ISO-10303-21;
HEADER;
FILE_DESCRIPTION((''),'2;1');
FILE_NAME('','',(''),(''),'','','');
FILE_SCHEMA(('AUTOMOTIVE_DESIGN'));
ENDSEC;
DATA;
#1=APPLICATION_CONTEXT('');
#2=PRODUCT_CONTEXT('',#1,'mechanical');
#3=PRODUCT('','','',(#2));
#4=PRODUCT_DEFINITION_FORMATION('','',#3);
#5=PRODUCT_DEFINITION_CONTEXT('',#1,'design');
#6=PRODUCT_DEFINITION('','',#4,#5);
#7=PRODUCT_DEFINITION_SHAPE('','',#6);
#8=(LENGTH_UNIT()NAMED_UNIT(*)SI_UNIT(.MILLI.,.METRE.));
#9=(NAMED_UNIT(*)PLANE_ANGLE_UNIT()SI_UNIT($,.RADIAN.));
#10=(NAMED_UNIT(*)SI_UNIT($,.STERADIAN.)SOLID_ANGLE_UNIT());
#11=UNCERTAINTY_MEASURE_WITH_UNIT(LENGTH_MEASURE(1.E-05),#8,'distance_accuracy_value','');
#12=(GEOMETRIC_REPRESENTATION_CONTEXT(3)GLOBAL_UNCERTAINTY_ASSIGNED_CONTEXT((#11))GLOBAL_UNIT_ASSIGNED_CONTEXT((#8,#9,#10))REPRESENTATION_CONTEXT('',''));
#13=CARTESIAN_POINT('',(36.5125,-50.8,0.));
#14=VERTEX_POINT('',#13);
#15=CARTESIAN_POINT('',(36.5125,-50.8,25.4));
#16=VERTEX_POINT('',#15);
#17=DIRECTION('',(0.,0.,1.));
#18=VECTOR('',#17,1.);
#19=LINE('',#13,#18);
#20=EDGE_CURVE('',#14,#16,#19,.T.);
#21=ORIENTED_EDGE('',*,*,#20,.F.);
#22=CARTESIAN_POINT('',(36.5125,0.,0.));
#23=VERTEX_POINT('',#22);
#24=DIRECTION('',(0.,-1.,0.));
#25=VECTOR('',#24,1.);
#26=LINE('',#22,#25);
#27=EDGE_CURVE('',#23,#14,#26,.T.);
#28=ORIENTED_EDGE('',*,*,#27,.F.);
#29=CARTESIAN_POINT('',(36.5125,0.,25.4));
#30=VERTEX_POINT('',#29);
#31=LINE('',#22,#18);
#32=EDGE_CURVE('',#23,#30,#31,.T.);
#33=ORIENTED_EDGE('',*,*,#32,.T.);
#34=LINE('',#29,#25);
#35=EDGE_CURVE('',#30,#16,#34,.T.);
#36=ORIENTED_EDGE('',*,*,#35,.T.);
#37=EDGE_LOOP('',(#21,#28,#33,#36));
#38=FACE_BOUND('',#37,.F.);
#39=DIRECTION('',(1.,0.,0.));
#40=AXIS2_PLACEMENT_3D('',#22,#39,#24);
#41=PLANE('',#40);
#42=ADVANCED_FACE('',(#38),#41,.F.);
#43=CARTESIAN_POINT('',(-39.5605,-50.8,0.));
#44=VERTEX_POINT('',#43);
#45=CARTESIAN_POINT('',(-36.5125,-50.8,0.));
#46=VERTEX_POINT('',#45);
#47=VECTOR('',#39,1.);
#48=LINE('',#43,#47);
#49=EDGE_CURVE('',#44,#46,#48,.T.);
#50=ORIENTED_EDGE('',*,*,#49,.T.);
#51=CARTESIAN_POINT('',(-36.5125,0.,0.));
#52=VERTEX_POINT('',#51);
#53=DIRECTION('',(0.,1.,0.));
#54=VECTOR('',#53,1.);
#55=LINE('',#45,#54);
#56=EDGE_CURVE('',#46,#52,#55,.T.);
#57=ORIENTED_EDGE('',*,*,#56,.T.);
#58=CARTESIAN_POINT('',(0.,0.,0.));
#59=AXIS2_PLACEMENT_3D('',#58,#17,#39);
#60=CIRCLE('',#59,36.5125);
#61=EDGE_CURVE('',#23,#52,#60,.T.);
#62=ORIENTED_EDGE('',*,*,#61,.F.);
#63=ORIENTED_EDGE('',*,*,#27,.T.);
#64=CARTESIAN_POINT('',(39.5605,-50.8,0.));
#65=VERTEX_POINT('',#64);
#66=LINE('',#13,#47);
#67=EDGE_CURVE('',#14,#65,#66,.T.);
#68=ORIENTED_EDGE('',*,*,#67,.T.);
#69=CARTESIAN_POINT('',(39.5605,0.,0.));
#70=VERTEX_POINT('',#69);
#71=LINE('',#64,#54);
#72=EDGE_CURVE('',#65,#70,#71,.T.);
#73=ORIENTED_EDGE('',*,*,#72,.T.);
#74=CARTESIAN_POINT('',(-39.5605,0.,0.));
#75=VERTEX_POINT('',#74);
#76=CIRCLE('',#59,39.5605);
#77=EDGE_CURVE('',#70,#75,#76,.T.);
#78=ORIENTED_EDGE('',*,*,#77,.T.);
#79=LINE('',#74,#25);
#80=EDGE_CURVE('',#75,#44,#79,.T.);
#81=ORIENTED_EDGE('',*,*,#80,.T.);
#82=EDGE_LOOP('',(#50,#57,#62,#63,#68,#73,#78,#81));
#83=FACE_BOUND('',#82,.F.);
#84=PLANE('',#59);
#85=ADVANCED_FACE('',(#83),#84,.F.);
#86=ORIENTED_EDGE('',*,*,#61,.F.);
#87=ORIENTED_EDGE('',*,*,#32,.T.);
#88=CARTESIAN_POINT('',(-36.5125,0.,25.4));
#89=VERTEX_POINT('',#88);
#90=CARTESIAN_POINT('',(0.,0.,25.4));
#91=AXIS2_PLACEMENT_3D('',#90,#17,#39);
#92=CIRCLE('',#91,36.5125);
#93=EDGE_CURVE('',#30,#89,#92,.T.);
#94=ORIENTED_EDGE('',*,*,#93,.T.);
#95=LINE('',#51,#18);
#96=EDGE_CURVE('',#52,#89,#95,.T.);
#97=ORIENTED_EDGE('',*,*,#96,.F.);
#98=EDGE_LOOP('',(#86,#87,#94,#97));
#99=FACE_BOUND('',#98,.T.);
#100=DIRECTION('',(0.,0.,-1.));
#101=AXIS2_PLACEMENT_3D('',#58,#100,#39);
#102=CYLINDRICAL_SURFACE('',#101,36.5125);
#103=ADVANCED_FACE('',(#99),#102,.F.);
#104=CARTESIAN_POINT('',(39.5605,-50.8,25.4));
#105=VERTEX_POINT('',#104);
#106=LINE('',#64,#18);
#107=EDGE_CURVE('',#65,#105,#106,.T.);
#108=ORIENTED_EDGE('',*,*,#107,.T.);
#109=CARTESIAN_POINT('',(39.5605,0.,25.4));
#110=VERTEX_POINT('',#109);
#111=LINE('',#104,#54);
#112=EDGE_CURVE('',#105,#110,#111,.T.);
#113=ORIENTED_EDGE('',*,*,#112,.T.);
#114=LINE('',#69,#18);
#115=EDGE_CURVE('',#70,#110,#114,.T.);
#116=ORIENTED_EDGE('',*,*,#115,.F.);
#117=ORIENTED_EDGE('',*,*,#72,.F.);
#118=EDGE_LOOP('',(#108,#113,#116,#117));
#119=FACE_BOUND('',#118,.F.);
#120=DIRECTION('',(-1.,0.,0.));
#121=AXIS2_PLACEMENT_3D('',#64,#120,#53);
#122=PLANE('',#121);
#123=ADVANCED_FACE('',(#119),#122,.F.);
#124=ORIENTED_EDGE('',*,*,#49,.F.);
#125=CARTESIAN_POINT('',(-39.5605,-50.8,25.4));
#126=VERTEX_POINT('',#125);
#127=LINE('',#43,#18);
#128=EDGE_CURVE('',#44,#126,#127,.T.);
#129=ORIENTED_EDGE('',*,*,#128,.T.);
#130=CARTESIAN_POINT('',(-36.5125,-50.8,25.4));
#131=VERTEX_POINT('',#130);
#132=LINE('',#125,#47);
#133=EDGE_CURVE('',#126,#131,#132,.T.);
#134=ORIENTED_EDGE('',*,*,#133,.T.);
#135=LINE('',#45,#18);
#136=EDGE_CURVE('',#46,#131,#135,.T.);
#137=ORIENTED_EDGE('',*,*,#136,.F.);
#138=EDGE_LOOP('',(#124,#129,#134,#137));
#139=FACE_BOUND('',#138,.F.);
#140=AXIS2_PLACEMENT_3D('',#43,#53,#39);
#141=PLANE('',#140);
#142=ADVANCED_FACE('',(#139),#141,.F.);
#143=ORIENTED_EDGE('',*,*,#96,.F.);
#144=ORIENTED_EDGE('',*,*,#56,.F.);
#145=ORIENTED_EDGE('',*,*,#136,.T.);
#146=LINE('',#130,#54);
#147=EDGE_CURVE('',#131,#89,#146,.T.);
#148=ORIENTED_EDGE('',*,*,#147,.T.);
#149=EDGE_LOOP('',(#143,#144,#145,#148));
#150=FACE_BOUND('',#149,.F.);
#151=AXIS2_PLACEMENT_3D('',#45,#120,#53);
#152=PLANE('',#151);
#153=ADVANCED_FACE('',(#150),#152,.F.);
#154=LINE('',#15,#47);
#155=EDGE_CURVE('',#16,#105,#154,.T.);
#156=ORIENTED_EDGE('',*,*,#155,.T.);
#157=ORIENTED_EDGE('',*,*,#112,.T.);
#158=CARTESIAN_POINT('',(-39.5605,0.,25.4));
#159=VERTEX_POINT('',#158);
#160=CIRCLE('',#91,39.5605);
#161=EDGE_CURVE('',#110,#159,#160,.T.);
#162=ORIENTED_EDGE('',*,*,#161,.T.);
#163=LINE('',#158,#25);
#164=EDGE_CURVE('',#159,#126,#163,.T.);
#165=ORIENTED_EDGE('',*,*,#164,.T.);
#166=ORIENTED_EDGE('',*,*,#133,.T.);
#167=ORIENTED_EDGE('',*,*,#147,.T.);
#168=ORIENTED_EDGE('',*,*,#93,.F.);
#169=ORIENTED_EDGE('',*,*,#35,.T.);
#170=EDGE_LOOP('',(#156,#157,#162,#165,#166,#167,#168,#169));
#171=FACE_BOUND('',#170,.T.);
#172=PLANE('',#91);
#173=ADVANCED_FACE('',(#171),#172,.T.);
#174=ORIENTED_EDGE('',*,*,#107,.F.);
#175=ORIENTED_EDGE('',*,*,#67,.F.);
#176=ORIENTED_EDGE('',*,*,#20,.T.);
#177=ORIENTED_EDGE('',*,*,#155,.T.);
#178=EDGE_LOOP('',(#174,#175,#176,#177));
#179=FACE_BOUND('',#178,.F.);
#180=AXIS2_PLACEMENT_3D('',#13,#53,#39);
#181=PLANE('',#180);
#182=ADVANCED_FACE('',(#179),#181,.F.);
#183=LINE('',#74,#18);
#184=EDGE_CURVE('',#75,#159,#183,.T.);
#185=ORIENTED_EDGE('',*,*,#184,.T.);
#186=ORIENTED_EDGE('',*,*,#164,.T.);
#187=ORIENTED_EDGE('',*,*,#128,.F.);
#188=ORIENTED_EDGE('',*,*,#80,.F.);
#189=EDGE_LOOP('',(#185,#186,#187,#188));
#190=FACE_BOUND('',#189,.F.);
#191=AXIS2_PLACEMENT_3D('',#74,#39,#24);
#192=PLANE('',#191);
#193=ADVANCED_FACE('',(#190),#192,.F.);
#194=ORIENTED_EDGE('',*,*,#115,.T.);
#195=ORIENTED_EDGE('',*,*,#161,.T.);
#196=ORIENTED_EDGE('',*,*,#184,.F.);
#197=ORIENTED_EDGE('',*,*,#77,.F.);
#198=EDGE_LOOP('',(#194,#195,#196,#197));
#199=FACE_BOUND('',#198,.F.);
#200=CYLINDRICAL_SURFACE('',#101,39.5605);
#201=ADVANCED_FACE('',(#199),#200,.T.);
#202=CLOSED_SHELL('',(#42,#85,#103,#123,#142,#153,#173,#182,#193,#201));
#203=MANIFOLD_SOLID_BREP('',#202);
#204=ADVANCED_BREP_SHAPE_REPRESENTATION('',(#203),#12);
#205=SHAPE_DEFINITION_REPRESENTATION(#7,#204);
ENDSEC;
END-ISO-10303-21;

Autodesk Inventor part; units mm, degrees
ref_plane "YZ Plane" through (0, 0, 0) normal (1, 0, 0) x (0, 1, 0)
ref_plane "XZ Plane" through (0, 0, 0) normal (0, 1, 0) x (-1, 0, 0)
ref_plane "XY Plane" through (0, 0, 0) normal (0, 0, 1) x (1, 0, 0)
sketch "Sketch1" plane through (0, 0, 0) normal (0, 0, 1) x (1, 0, 0)
  arc A0 (36.5125, 0) -> (-36.5125, 0) centre (0, 0) ccw
  line L0 (36.5125, 0) -> (36.5125, -50.8)
  line L1 (36.5125, -50.8) -> (39.5605, -50.8)
  line L2 (39.5605, -50.8) -> (39.5605, 0)
  arc A1 (39.5605, 0) -> (-39.5605, 0) centre (0, 0) ccw
  line L3 (-39.5605, 0) -> (-39.5605, -50.8)
  line L4 (-39.5605, -50.8) -> (-36.5125, -50.8)
  line L5 (-36.5125, -50.8) -> (-36.5125, 0)
  dimension "d0" = 73.025
  dimension "d1" = 3.048
  dimension "d2" = 50.8
extrude "Extrusion1" add sketch "Sketch1" along normal blind 25.4
equation "\"d1\" = Thickness"
equation "\"BendRadius\" = Thickness"
equation "\"BendReliefWidth\" = Thickness"
equation "\"BendReliefDepth\" = 0.5 * Thickness"
equation "\"CornerReliefSize\" = 4 * Thickness"
equation "\"MinimumRemnant\" = 2 * Thickness"
equation "\"TransitionRadius\" = BendRadius"
equation "\"JacobiRadiusSize\" = Thickness"
equation "\"GapSize\" = Thickness"
equation "\"Thickness\" = 3.048"
properties part number "A1-18002-100-50 Tube cradle - 2.875in" material "Steel, Mild"
